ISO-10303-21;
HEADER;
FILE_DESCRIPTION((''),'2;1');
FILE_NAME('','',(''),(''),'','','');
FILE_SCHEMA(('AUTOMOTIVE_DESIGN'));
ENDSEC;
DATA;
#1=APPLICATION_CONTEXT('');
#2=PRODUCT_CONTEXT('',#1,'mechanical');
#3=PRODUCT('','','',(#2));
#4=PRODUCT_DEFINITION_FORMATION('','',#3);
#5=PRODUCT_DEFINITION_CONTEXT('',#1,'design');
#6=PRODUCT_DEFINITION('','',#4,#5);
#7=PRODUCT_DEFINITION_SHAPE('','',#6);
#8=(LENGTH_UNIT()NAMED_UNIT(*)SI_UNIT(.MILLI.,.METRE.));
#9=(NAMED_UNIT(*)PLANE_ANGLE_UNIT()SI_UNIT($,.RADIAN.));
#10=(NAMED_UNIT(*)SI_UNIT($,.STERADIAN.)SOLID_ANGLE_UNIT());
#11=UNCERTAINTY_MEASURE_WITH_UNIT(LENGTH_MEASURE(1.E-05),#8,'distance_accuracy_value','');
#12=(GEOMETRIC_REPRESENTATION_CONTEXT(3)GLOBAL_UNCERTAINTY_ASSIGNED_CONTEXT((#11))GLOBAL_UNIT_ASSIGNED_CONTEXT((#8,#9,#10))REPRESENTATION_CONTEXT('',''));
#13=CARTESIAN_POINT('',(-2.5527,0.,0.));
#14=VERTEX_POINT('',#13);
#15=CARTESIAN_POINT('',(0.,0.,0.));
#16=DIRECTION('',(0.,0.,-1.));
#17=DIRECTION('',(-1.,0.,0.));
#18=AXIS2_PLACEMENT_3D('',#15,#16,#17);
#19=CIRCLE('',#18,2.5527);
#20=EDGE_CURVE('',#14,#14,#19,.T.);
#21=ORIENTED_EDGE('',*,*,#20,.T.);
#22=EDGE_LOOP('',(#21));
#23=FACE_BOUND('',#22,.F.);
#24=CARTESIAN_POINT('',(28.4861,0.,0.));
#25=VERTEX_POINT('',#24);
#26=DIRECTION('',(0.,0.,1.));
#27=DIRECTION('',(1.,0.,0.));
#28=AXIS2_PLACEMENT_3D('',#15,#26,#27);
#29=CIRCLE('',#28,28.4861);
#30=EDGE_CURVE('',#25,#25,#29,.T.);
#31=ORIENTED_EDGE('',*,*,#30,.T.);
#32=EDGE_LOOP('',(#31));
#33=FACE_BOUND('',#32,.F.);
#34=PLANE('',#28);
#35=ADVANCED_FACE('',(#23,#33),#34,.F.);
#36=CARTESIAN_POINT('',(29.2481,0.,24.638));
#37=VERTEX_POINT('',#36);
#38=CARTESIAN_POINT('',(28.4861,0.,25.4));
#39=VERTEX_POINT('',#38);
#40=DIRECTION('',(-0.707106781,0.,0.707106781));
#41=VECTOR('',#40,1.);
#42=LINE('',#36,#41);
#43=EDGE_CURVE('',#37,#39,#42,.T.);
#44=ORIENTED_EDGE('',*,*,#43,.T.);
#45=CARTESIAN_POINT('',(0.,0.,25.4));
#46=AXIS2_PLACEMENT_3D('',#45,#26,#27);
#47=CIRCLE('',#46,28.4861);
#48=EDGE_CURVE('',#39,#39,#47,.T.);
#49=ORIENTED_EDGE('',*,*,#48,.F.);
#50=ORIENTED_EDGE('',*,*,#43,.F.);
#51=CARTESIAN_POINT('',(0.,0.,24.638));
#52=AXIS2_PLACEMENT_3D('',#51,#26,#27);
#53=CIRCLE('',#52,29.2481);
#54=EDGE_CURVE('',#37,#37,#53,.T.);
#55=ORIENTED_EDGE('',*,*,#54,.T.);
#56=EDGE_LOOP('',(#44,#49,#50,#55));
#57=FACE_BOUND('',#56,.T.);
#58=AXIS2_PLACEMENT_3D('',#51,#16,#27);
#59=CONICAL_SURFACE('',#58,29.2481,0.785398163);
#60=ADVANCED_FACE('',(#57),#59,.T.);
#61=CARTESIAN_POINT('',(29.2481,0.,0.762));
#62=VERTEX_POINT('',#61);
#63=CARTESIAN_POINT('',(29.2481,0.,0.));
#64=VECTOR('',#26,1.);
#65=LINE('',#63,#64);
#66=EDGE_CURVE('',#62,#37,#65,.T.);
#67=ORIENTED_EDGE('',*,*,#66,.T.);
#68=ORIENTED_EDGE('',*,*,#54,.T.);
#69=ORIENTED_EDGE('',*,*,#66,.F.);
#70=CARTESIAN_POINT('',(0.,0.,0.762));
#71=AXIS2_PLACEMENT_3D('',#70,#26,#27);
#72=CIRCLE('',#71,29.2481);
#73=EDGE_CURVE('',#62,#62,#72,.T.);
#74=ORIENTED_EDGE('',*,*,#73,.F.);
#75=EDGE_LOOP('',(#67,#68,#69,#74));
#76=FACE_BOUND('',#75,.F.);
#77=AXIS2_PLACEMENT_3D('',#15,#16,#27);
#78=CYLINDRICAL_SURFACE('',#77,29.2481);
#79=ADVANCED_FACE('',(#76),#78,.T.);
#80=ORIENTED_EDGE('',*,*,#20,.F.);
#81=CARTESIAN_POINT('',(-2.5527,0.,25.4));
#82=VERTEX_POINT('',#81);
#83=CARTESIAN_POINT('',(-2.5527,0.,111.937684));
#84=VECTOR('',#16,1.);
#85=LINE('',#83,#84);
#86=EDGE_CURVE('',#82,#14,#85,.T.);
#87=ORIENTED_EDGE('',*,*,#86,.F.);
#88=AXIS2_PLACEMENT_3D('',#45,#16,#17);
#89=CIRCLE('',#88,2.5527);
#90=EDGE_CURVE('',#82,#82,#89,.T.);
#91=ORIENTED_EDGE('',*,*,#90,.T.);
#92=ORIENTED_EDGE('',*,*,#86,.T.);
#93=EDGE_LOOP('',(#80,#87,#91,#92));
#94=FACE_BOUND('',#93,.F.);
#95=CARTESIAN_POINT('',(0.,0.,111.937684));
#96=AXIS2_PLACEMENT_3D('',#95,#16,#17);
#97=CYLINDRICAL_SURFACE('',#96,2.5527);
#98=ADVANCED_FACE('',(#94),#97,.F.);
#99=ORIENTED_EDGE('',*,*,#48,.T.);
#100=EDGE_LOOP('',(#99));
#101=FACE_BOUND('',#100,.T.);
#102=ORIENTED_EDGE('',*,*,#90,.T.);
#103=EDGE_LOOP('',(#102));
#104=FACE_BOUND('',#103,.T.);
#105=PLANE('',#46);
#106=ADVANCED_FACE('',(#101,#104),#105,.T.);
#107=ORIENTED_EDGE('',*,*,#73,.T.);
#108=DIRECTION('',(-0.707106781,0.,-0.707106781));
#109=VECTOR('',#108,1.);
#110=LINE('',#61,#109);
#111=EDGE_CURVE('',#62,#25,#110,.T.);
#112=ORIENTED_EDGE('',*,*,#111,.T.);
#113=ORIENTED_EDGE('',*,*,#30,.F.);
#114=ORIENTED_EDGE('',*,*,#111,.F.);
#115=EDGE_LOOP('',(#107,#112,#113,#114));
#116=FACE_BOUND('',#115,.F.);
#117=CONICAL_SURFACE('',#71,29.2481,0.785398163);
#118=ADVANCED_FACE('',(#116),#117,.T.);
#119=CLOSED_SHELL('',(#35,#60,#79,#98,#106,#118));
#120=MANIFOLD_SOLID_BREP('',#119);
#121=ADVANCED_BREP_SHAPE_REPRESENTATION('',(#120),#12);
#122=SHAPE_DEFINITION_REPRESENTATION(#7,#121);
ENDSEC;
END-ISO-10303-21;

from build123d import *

# Parameters (mm, degrees)
F0_R     = 29.2481
F1_DEPTH = 25.4
F2_SIZE  = 0.762
F4_D     = 5.1054


with BuildPart() as f1:
    # F0 (on Top) → F1 (new body)
    with BuildSketch(Plane.XY):
        Circle(F0_R)
    extrude(amount=F1_DEPTH)

    # F2
    f2_edges = [f1.edges().sort_by_distance(p)[0] for p in [
        (-29.2481, 0, 25.4),
        (-29.2481, 0, 0),
    ]]
    chamfer(f2_edges, length=F2_SIZE)

    # F4 (through all)
    with Locations(Plane.XY.offset(25.4)):
        with Locations((0, 0)):
            Hole(F4_D / 2)


solid = f1.part
